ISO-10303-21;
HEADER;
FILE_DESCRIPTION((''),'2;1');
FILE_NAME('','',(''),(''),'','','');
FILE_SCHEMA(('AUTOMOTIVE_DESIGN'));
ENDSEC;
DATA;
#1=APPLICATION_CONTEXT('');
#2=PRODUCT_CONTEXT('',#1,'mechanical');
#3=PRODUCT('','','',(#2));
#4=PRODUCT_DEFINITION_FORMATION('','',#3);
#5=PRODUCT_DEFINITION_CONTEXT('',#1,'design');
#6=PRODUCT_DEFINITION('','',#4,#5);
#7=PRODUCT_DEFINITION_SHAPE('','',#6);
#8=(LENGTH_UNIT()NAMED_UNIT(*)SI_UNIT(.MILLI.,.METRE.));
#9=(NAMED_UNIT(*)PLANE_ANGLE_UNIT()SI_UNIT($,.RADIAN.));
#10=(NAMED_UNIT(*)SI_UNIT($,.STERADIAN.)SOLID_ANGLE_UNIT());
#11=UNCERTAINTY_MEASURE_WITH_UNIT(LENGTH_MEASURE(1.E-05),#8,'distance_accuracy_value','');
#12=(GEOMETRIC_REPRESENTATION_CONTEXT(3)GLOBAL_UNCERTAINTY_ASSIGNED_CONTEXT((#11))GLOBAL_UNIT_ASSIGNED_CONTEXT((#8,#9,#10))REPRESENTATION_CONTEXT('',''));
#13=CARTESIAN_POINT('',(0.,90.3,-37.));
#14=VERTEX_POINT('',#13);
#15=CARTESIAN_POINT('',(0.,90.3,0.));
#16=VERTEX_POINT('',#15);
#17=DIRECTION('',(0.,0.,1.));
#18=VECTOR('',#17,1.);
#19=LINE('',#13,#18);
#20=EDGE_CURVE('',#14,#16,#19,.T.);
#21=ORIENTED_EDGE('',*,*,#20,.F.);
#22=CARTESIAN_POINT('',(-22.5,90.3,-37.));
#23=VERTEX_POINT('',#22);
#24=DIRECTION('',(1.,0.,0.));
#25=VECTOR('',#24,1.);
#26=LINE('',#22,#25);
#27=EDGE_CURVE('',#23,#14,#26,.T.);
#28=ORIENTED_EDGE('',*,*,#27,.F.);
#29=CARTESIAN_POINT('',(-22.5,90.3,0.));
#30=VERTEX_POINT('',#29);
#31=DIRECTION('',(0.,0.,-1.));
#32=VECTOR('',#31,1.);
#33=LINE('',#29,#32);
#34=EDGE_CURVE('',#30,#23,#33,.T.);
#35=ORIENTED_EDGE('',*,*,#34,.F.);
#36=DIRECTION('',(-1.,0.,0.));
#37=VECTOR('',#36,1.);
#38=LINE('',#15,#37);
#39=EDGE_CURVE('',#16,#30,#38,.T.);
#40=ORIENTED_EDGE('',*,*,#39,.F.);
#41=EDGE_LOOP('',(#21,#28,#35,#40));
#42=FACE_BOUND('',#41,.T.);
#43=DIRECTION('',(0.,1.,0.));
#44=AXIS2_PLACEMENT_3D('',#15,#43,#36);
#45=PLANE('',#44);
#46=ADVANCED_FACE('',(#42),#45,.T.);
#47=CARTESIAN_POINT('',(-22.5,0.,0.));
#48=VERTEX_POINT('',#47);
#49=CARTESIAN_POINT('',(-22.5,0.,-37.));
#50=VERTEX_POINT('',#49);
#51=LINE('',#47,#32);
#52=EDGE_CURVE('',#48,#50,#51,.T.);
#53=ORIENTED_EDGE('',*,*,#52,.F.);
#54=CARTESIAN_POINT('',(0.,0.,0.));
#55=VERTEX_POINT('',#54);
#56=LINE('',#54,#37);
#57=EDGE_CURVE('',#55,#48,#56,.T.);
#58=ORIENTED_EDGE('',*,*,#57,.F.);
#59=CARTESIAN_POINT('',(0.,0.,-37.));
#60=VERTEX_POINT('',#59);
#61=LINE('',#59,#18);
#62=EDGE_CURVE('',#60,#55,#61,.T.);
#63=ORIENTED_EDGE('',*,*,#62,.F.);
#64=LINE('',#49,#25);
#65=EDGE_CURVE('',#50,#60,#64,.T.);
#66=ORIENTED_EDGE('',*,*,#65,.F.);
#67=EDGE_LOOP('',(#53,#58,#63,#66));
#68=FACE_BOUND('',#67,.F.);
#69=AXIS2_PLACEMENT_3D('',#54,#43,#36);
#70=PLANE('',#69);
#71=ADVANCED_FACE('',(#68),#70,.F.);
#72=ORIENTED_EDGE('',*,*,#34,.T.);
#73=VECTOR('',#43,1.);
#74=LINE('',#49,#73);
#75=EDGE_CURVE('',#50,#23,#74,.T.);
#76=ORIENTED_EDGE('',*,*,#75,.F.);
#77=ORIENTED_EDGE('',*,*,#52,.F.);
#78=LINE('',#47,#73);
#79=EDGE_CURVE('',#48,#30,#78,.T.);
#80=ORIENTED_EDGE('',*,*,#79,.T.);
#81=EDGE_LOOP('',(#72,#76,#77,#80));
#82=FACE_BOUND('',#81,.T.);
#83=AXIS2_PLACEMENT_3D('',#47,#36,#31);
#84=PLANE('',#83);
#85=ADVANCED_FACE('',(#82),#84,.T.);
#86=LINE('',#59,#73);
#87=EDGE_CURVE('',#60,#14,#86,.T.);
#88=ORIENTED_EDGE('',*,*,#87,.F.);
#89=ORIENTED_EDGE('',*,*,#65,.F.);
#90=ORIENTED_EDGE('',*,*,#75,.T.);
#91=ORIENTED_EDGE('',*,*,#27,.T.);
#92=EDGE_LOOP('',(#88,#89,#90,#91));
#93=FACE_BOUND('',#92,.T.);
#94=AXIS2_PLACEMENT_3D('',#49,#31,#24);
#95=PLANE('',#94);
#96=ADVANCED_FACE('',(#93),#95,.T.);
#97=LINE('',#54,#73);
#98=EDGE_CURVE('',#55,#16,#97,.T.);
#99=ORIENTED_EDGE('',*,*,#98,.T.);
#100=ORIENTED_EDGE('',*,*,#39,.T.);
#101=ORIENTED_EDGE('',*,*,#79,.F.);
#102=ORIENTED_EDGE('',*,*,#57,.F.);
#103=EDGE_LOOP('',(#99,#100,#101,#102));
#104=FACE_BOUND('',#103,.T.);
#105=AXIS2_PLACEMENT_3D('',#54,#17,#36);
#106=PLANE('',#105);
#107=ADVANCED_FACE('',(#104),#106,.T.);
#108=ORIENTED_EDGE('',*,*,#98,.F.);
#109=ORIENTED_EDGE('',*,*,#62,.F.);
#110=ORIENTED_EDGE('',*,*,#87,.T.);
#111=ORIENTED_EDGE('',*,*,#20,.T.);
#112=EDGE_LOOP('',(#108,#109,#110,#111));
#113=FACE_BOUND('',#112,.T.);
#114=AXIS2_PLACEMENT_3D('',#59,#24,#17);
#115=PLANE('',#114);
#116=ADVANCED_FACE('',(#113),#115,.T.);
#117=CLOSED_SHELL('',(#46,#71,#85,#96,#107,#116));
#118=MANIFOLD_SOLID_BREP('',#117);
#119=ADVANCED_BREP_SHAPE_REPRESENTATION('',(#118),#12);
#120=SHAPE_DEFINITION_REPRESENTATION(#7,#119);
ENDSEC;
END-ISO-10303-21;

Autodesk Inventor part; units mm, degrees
ref_plane "YZ Plane" through (0, 0, 0) normal (1, 0, 0) x (0, 1, 0)
ref_plane "XY Plane" through (0, 0, 0) normal (0, 0, 1) x (1, 0, 0)
sketch "Sketch1" plane through (0, 0, 0) normal (0, 1, 0) x (-1, 0, 0)
  line L0 (0, 0) -> (22.5, 0)
  line L1 (22.5, 0) -> (22.5, -37)
  line L2 (22.5, -37) -> (0, -37)
  line L3 (0, -37) -> (0, 0)
  dimension "d0" = 22.5
  dimension "d1" = 37
extrude "Extrusion1" add sketch "Sketch1" along normal blind 90.3
ref_plane "Work Plane1" through (0, 45.15, 0) normal (0, 1, 0) x (-1, 0, 0)
ref_plane "Work Plane2" through (-22.5, 0, -18.5) normal (0, 0, 1) x (1, 0, 0)
properties part number "emitter_box"
